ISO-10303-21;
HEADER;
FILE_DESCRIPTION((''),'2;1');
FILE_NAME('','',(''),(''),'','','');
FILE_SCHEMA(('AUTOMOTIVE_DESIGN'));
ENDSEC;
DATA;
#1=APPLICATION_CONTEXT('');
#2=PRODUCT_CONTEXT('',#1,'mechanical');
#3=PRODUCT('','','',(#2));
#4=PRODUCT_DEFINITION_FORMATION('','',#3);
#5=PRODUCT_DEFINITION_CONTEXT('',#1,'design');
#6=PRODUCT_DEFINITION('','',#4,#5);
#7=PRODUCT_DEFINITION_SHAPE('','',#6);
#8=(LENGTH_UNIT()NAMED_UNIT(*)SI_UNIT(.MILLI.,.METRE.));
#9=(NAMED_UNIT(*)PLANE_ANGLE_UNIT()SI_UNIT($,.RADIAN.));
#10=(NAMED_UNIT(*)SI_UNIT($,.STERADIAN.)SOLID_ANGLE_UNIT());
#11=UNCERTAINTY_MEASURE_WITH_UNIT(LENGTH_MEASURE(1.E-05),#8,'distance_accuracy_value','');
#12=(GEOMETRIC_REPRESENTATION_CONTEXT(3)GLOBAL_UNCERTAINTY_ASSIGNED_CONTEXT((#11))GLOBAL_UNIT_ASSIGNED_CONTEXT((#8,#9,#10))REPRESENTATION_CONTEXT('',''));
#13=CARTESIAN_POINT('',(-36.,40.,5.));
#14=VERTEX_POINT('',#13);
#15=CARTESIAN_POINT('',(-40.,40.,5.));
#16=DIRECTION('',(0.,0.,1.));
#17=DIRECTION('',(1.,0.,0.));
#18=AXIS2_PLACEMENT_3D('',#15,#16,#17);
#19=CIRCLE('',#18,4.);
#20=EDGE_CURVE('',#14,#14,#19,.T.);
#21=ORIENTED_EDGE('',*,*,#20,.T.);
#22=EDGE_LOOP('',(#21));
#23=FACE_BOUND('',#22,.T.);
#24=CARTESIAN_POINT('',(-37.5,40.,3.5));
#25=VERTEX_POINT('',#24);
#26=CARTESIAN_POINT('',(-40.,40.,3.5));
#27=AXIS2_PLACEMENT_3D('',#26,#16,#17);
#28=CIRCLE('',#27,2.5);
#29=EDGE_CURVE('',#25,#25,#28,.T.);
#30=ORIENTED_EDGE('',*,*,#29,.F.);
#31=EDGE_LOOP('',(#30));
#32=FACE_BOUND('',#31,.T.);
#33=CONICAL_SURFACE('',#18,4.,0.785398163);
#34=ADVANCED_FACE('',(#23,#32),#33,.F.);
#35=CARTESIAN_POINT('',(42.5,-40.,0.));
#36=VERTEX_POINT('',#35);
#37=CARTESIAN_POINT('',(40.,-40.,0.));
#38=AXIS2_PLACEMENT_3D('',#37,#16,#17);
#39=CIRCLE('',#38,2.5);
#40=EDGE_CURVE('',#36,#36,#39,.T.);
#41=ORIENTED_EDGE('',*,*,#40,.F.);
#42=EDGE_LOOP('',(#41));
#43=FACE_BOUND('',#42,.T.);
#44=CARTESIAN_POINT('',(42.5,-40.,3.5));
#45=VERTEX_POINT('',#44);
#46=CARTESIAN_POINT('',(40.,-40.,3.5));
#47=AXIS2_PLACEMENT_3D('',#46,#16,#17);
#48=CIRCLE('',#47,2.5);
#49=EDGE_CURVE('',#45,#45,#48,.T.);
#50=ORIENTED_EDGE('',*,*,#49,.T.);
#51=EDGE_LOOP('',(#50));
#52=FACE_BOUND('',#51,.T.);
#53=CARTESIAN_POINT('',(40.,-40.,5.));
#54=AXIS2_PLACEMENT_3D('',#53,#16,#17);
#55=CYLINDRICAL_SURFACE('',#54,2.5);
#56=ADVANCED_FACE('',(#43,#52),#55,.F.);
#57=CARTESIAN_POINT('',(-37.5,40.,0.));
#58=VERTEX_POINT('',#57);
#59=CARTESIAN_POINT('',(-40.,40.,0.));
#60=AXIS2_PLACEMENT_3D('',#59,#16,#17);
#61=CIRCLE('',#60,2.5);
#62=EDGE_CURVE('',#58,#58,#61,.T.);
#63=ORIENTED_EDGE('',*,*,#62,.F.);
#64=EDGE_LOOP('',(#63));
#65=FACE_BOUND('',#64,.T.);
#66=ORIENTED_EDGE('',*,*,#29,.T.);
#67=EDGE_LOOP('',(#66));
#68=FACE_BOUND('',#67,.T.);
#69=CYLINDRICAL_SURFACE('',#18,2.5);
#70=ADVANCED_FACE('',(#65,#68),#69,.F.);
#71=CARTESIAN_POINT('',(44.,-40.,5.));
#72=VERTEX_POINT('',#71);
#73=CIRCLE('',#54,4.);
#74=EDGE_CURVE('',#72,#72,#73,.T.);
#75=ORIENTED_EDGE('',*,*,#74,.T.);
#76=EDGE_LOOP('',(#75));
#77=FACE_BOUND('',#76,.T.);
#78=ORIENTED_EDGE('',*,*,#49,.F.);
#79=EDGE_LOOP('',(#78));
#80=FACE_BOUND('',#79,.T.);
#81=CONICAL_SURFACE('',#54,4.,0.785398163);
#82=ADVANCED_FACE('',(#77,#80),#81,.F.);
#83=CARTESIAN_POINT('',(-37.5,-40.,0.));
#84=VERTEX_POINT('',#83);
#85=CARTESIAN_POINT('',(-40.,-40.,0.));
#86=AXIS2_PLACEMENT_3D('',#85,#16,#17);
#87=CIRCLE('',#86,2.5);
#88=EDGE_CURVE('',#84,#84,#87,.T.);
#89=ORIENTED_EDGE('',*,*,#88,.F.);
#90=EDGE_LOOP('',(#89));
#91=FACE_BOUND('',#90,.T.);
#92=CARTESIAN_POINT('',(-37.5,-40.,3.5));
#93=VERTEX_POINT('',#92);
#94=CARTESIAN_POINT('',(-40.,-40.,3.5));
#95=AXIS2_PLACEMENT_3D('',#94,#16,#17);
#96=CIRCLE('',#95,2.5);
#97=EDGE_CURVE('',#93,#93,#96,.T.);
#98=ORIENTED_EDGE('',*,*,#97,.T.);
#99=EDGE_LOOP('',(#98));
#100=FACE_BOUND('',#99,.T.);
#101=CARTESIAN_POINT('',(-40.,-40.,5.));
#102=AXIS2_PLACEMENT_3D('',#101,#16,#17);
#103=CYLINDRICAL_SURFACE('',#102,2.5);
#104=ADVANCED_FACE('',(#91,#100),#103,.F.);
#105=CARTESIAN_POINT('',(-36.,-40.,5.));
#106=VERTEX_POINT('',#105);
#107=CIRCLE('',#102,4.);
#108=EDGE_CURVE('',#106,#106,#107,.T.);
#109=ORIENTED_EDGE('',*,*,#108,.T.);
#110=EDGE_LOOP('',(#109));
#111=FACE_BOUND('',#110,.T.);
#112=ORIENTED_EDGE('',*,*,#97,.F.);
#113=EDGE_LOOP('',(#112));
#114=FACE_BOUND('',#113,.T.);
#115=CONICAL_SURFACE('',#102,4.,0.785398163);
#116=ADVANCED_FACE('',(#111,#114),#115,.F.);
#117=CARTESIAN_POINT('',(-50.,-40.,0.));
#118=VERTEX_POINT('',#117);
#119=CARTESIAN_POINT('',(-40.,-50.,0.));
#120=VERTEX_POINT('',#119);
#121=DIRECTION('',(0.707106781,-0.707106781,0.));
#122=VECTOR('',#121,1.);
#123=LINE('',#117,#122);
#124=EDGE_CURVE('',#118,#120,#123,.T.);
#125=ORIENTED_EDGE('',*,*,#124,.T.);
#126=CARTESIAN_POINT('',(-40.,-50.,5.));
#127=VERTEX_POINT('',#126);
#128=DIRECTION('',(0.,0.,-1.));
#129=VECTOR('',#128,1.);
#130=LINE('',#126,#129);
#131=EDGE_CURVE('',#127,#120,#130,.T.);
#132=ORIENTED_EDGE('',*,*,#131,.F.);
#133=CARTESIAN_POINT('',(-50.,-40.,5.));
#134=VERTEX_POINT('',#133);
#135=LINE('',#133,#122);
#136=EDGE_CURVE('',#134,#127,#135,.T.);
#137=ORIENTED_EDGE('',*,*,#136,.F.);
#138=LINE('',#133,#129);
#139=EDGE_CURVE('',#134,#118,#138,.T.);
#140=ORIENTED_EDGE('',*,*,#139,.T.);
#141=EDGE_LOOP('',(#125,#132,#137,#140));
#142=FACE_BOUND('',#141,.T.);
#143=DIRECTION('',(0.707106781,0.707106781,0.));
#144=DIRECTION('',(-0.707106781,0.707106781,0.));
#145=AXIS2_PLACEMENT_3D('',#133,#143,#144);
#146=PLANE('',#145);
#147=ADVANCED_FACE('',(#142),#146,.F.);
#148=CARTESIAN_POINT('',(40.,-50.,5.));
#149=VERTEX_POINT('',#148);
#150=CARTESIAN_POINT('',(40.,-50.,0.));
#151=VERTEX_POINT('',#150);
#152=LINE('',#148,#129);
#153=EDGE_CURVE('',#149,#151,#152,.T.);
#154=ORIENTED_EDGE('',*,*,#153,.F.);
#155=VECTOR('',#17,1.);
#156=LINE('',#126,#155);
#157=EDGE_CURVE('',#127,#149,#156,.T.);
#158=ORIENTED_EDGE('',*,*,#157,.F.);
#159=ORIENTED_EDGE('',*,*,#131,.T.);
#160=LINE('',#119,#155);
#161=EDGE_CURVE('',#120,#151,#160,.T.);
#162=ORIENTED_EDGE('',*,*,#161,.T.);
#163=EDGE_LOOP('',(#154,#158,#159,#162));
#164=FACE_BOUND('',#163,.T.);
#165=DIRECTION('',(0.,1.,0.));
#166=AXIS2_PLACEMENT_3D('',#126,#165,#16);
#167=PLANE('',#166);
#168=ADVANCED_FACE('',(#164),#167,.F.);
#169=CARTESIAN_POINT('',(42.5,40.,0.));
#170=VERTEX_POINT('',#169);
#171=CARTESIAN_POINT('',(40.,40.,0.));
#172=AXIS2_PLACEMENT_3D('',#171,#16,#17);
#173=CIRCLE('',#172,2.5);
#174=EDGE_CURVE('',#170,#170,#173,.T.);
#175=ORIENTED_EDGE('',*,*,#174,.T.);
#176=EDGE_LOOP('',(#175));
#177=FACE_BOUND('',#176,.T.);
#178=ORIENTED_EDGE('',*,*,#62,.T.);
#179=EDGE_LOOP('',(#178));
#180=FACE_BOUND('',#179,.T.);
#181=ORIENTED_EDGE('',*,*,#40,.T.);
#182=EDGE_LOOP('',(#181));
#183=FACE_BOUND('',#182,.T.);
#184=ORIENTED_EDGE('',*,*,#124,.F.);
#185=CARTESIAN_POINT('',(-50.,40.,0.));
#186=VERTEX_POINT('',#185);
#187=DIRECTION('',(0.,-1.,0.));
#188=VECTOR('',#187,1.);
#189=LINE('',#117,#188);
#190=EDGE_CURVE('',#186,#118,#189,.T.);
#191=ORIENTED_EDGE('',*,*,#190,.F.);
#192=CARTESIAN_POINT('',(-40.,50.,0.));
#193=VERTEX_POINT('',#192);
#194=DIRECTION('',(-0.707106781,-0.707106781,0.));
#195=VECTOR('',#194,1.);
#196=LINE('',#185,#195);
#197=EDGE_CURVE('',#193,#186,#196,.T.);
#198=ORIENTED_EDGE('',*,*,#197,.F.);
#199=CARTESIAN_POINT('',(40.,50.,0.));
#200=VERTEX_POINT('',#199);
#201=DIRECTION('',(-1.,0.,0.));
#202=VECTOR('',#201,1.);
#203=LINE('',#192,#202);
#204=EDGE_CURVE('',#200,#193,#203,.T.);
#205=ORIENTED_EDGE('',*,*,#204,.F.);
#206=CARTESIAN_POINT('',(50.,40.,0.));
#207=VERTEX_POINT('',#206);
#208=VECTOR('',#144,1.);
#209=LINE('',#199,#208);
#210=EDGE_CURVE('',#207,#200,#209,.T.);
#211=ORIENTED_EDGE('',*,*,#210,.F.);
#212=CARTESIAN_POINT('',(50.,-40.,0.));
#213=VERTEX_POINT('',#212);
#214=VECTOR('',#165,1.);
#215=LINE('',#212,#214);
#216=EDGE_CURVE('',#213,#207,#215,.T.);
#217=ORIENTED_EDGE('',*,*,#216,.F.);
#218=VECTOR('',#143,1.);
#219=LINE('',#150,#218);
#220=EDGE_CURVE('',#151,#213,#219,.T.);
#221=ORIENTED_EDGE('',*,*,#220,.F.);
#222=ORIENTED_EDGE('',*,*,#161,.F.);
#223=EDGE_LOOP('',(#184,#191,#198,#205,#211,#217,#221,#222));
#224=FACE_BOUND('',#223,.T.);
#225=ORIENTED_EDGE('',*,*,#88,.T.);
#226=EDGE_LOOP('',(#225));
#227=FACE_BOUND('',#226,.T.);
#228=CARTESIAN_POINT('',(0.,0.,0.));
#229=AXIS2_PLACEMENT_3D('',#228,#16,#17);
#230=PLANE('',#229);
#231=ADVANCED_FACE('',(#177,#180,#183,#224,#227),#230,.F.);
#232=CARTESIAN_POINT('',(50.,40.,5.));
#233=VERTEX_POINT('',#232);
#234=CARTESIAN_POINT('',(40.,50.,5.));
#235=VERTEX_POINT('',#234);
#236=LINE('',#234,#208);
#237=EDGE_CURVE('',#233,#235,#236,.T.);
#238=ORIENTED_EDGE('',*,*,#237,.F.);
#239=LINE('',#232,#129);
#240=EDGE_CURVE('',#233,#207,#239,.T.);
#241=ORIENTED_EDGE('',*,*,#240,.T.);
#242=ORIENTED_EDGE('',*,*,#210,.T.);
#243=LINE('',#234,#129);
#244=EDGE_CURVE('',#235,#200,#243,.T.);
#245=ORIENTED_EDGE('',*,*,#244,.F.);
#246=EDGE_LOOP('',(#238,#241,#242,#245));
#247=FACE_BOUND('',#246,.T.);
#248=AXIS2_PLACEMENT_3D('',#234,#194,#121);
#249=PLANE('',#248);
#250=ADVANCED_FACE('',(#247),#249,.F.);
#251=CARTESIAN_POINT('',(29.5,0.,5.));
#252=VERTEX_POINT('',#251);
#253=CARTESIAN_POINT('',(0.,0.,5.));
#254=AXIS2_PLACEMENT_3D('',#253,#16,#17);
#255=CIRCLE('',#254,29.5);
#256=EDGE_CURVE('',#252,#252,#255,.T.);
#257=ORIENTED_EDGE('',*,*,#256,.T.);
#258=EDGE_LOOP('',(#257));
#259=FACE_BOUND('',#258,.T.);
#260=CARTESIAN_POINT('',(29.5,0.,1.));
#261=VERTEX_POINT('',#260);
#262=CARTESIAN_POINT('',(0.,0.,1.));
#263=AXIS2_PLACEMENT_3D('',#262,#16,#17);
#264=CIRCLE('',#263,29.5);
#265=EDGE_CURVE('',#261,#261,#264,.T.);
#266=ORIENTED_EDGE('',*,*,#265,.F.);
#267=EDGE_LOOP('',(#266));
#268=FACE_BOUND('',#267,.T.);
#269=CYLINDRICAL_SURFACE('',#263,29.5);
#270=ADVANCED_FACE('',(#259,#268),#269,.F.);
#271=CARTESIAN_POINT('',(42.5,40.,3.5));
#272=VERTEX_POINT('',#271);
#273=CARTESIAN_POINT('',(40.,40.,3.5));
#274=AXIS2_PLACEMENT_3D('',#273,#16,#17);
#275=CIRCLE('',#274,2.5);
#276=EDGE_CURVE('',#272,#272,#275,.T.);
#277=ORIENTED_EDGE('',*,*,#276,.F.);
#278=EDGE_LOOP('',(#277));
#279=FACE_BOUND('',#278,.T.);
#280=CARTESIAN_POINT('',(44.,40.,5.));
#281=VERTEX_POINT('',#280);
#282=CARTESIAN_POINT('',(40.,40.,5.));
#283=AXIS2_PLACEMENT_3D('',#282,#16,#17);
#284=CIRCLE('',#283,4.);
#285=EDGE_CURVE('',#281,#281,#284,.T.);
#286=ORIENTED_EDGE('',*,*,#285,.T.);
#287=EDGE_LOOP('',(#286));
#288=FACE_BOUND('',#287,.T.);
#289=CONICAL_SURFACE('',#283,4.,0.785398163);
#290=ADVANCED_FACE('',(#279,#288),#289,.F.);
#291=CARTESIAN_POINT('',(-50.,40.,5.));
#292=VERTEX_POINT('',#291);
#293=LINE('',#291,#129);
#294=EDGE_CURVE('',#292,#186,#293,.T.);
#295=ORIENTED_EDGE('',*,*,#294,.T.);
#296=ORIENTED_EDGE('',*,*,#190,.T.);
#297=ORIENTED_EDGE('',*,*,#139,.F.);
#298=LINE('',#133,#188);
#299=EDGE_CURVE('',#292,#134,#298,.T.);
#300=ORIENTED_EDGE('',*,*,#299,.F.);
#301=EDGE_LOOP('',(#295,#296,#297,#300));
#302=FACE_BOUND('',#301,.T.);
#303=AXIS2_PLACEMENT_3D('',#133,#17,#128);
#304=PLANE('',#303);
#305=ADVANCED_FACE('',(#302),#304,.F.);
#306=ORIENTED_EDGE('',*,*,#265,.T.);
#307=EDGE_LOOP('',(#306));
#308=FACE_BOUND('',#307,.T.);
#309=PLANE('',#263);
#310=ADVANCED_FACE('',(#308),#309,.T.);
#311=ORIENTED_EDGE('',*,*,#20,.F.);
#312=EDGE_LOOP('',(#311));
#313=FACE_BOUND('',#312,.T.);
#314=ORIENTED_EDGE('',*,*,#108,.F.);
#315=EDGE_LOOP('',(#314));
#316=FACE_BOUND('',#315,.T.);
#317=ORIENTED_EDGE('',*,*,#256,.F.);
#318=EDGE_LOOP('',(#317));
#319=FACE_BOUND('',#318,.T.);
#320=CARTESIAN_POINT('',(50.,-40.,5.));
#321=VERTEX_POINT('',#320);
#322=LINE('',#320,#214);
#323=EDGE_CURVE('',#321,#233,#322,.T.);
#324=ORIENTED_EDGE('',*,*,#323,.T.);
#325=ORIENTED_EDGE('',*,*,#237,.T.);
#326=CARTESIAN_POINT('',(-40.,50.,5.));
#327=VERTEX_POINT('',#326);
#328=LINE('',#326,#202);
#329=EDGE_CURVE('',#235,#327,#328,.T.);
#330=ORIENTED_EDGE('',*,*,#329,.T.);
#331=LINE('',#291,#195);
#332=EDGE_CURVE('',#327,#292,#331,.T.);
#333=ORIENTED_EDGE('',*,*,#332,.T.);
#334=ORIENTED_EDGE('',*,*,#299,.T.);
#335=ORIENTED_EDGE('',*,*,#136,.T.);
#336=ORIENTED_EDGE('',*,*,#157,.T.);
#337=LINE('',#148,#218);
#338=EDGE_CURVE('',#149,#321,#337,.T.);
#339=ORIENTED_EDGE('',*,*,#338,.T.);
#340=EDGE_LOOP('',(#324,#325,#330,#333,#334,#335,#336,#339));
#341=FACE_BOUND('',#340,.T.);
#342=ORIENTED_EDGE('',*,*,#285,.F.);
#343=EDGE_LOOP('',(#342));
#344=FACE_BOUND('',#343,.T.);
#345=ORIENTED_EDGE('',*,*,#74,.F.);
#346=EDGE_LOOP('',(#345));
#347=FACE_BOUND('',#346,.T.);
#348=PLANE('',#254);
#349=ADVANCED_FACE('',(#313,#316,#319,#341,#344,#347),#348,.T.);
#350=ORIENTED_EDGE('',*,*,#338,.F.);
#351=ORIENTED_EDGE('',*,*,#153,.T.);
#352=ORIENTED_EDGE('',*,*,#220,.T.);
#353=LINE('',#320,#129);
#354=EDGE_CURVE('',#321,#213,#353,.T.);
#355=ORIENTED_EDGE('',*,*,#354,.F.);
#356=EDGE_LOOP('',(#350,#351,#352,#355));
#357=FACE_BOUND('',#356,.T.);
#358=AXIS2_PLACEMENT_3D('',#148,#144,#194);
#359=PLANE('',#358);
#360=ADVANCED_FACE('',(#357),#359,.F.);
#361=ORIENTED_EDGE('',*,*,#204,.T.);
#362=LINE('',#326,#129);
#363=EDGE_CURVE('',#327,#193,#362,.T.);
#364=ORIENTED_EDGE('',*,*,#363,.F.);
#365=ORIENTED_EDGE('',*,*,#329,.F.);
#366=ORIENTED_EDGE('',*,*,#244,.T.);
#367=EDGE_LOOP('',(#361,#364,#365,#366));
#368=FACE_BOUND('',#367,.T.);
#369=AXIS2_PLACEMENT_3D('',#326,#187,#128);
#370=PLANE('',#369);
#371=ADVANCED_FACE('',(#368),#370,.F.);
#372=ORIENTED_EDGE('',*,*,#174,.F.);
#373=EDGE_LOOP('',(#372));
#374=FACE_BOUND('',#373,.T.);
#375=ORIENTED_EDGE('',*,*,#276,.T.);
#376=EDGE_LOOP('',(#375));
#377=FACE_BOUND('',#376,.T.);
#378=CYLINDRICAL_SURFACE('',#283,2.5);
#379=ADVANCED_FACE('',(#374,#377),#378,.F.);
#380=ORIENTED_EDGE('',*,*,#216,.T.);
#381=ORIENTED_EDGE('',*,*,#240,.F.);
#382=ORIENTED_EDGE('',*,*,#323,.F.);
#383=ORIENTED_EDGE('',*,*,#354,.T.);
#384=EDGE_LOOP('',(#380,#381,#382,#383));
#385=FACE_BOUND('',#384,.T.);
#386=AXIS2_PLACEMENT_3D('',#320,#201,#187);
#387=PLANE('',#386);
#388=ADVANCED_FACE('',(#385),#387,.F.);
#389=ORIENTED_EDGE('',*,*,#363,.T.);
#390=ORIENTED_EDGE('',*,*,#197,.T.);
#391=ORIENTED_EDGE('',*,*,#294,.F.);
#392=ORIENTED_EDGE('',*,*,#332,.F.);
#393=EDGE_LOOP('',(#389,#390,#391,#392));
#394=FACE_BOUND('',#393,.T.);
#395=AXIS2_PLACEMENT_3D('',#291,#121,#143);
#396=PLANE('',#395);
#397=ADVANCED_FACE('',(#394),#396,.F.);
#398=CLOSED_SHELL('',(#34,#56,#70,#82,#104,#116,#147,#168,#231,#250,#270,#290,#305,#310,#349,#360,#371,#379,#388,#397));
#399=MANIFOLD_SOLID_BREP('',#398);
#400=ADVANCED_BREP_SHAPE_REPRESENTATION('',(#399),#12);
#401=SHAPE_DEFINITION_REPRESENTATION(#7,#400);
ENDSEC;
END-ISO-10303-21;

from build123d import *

# Parameters (mm, degrees)
EXTRUDE_1_DEPTH              = 5
SKETCH_2_R                   = 29.5
CUT_EXTRUDE_1_DEPTH          = 4
HOLE_WIZARD_M4_1_D           = 5
HOLE_WIZARD_M4_1_DEPTH       = 5
HOLE_WIZARD_M4_1_CSINK_D     = 8
HOLE_WIZARD_M4_1_CSINK_ANGLE = 90


with BuildPart() as part:
    # 스케치1 → 보스-돌출1 (new body)
    with BuildSketch(Plane.XY):
        Polygon((-50, 40), (-40, 50), (40, 50), (50, 40), (50, -40), (40, -50), (-40, -50), (-50, -40), align=None)
    extrude(amount=EXTRUDE_1_DEPTH)

    # 스케치2 → 컷-돌출1 (cut)
    with BuildSketch(Plane.XY.offset(5)):
        Circle(SKETCH_2_R)
    extrude(amount=-CUT_EXTRUDE_1_DEPTH, mode=Mode.SUBTRACT)

    # M4 납작 십자머리 나사용 카운터싱크1
    with Locations(Plane(origin=(-40, 40, 5), x_dir=(1, 0, 0), z_dir=(0, 0, 1))):
        with Locations((0, 0), (80, 0), (80, -80), (0, -80)):
            CounterSinkHole(HOLE_WIZARD_M4_1_D / 2, HOLE_WIZARD_M4_1_CSINK_D / 2, depth=HOLE_WIZARD_M4_1_DEPTH, counter_sink_angle=HOLE_WIZARD_M4_1_CSINK_ANGLE)


solid = part.part
